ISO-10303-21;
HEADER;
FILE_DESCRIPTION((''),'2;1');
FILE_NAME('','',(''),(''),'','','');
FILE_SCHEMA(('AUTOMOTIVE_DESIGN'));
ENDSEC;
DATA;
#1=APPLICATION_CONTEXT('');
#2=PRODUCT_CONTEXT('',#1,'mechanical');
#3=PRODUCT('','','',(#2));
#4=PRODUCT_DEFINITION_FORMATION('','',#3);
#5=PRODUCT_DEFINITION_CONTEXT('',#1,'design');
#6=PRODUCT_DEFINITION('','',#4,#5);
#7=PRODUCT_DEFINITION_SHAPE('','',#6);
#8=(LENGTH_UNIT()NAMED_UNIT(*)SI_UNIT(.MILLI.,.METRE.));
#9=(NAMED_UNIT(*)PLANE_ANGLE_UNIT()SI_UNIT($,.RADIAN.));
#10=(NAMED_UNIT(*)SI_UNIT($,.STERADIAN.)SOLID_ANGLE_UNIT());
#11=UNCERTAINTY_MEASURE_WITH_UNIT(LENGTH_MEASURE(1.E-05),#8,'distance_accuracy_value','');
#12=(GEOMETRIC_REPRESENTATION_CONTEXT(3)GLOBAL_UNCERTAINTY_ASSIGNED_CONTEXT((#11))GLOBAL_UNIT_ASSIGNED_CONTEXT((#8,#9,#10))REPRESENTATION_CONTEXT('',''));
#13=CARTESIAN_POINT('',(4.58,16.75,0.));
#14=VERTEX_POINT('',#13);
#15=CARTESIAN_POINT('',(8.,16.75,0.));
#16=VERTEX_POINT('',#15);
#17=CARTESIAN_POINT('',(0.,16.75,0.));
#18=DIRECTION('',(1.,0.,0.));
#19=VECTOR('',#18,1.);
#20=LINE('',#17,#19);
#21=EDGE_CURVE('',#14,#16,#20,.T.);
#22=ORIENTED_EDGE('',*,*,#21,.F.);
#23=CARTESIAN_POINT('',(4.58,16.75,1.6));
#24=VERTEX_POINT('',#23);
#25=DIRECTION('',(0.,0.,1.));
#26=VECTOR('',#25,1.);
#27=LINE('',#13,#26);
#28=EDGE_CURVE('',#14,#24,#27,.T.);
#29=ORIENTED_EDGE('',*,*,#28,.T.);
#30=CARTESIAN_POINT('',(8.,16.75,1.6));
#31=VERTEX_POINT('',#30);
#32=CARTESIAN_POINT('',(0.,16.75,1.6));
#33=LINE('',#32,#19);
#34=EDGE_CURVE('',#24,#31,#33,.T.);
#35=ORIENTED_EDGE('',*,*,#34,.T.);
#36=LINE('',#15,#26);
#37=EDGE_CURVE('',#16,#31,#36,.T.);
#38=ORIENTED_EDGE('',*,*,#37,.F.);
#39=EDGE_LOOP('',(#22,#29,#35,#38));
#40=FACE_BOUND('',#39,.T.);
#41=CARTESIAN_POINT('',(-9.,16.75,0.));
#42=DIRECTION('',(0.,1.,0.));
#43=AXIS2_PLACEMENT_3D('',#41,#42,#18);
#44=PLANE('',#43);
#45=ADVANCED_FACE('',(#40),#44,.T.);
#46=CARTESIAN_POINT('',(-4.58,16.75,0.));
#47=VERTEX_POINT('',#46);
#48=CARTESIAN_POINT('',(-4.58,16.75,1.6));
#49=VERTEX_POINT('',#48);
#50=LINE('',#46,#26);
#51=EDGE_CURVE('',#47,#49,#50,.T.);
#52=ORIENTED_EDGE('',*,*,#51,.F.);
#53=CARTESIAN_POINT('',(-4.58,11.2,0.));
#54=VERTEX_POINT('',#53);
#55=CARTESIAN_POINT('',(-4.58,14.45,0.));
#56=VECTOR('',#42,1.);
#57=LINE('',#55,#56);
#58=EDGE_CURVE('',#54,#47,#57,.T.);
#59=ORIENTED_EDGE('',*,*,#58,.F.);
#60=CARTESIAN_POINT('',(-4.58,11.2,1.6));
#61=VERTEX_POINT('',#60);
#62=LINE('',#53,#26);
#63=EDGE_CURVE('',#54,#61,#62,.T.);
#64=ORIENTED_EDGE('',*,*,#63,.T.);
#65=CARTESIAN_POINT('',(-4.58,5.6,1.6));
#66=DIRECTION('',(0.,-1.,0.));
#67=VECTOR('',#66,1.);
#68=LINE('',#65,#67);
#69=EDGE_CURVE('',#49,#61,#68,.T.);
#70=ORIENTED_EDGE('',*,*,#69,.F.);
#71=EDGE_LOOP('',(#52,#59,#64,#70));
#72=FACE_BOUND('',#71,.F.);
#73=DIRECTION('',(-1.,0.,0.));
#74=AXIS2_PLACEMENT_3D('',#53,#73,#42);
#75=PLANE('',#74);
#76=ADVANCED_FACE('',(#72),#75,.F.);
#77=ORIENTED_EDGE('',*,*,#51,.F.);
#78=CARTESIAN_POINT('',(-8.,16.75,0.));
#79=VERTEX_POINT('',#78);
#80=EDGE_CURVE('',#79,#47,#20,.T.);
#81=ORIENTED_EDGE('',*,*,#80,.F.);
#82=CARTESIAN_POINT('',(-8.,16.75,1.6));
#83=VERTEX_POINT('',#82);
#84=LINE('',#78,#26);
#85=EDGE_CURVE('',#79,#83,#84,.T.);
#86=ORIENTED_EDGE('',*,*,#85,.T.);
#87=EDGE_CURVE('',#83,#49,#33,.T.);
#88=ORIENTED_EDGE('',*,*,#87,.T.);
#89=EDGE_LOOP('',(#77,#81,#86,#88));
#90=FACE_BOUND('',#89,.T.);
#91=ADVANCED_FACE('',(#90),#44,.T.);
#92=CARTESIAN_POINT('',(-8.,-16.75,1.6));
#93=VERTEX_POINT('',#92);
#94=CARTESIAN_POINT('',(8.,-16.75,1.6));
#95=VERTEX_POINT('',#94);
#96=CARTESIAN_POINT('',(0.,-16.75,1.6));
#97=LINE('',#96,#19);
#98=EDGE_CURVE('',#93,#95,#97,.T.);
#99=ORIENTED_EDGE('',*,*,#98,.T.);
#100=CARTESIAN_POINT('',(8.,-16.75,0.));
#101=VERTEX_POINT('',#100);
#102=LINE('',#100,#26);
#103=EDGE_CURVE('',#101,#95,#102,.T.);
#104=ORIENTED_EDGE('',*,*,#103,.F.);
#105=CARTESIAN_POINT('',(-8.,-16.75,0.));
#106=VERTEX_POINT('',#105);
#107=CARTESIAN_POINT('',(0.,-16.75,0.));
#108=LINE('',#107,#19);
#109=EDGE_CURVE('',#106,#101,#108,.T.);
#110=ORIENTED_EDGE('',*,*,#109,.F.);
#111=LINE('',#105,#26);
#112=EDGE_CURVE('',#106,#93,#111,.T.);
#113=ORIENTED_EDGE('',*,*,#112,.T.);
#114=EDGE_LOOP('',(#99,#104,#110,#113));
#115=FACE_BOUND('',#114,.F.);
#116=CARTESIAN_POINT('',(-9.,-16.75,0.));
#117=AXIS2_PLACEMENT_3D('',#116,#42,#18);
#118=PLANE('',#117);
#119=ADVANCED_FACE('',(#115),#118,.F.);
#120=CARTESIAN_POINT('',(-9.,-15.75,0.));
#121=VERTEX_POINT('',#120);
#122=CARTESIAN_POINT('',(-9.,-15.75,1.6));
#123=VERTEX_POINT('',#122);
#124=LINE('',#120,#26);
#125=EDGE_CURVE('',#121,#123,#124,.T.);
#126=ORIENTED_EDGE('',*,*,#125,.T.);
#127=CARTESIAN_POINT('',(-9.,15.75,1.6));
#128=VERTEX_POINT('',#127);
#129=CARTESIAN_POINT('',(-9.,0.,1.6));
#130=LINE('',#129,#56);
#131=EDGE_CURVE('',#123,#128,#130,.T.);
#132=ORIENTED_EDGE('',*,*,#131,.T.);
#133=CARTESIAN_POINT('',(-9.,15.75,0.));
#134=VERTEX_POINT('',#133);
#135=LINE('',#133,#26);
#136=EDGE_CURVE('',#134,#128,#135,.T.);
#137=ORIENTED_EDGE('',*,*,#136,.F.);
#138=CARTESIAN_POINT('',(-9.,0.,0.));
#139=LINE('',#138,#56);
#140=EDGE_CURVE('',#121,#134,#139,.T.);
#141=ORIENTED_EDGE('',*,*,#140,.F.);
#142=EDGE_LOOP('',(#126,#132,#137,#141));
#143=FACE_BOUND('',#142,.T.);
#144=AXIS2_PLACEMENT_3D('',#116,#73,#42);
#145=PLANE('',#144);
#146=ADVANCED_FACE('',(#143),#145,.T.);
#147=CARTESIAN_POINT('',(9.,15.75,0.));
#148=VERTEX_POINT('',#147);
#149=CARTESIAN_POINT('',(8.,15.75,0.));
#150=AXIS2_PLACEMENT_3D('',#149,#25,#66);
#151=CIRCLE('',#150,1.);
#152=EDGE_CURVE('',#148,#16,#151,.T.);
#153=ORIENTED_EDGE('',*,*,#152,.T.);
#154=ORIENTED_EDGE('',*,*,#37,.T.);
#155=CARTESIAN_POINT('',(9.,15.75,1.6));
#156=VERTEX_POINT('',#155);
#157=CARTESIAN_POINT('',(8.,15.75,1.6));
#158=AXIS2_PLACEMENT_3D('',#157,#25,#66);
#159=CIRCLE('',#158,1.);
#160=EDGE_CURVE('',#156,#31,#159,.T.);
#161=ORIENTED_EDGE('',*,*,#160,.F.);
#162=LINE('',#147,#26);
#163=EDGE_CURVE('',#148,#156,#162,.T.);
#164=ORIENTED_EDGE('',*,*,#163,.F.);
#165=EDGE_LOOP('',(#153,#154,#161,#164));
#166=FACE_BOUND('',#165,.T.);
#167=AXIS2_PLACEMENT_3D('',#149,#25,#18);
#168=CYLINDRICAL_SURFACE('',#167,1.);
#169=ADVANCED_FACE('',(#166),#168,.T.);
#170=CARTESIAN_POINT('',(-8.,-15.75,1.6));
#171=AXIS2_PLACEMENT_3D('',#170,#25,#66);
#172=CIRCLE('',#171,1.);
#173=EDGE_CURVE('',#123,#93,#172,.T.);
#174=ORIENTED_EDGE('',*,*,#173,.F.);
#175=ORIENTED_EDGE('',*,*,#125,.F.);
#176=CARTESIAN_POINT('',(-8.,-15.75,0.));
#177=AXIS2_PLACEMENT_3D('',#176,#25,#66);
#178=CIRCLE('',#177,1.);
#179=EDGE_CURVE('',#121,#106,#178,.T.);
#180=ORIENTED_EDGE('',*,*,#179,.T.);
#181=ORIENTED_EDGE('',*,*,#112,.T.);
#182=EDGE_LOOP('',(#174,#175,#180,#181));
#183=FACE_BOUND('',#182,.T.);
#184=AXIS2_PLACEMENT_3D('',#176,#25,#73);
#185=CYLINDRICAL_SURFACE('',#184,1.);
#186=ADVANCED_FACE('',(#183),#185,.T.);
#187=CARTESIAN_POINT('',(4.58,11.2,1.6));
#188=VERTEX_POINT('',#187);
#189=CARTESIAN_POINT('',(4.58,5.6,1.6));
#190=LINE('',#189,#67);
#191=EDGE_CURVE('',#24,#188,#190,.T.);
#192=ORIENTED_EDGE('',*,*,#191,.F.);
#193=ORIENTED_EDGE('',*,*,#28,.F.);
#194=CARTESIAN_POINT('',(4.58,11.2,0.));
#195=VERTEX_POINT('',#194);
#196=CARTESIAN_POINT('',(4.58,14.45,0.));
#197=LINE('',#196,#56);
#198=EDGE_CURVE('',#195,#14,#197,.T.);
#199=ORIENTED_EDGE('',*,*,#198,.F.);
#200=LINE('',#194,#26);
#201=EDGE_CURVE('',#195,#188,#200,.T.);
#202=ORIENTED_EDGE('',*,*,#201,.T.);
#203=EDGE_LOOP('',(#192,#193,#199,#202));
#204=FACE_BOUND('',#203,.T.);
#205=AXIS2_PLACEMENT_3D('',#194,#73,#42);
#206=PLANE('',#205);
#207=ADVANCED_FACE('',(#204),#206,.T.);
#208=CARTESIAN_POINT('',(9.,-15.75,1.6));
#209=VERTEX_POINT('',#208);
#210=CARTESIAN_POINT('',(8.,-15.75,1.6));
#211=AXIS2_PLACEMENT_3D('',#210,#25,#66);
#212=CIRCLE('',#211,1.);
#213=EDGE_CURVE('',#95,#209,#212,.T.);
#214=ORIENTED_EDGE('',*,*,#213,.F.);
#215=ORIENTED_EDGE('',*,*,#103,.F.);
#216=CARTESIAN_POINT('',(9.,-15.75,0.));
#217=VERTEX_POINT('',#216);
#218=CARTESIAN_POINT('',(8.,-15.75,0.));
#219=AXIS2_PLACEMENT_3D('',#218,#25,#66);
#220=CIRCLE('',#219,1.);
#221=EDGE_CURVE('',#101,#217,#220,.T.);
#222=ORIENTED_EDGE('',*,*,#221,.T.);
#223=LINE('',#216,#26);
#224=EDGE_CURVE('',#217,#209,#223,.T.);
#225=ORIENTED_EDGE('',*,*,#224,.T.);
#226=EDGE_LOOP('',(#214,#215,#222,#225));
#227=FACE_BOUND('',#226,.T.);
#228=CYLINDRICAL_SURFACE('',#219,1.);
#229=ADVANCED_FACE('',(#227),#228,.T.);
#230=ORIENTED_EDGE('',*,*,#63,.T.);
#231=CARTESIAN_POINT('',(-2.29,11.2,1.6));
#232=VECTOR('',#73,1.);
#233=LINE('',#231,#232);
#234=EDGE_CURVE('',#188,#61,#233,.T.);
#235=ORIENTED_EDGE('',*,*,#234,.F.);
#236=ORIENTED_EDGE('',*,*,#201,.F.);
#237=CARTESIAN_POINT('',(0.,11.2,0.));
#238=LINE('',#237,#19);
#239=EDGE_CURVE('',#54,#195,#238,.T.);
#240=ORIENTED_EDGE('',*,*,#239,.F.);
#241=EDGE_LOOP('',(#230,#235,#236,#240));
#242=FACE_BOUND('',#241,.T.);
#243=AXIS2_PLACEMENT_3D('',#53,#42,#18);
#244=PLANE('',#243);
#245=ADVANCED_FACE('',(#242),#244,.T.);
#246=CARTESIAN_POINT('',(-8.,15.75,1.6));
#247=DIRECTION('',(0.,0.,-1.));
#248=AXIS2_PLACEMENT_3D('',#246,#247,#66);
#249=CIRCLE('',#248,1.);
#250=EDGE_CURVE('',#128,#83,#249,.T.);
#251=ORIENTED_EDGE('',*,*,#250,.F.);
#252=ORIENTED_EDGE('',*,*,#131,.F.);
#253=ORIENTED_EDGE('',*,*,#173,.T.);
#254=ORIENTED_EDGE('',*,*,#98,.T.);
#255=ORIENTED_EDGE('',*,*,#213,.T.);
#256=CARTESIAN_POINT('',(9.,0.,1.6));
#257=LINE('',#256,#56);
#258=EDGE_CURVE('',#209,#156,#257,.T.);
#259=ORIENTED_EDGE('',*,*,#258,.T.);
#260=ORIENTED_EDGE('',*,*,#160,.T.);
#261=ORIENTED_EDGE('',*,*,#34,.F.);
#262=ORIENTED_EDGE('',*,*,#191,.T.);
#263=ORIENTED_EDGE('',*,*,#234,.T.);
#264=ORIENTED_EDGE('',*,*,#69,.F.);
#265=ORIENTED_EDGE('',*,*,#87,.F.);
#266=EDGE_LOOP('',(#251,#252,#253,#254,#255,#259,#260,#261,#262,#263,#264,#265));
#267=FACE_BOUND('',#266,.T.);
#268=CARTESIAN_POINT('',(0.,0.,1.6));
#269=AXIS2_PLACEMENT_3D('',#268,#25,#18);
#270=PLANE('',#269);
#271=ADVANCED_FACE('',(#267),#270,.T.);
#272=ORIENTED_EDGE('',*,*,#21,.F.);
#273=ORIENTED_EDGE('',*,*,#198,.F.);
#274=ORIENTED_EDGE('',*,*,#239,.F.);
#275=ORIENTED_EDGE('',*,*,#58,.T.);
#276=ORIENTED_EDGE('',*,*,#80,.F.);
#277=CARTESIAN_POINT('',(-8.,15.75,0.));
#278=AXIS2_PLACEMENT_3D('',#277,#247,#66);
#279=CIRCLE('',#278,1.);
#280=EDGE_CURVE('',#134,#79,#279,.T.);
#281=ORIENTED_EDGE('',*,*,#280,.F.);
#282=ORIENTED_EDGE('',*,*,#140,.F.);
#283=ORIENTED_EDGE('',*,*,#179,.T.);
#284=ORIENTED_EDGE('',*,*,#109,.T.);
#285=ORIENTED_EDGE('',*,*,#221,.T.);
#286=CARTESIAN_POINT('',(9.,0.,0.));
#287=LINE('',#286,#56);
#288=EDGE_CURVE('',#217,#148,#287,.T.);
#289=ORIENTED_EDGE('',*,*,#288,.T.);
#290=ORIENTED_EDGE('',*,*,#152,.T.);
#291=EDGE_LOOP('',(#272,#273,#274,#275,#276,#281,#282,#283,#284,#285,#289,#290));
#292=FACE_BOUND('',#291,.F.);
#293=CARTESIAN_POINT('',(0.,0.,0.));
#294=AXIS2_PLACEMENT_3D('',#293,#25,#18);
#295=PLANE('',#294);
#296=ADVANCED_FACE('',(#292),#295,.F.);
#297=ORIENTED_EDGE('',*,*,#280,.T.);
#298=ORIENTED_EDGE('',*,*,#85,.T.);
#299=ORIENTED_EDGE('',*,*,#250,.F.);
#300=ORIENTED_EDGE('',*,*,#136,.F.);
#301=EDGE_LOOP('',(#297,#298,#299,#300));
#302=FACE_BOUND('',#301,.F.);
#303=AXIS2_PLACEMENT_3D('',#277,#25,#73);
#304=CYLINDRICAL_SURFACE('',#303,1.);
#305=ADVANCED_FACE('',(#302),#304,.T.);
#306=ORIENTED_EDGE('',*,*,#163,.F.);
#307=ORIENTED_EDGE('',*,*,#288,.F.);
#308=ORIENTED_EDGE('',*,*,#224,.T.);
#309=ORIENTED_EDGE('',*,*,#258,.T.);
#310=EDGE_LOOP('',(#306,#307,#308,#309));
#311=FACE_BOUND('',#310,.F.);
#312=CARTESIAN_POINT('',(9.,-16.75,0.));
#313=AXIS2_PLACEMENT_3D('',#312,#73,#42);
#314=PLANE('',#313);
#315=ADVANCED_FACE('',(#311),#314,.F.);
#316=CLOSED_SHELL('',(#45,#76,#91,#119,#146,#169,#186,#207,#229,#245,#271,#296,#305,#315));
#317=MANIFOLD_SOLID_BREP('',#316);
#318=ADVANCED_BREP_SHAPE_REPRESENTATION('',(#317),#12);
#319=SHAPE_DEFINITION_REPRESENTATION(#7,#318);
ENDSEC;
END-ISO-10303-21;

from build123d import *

# Parameters (mm, degrees)
SKETCH_W     = 18
SKETCH_H     = 33.5
PAD_DEPTH    = 1.6
FILLET_R     = 1
SKETCH001_W  = 9.16
SKETCH001_H  = 6.5
POCKET_DEPTH = 5


with BuildPart() as part:
    # Sketch → Pad (new body)
    with BuildSketch(Plane.XY):
        Rectangle(SKETCH_W, SKETCH_H)
    extrude(amount=PAD_DEPTH)

    # Fillet
    fillet_edges = [part.edges().sort_by_distance(p)[0] for p in [
        (9, 16.75, 0.8),
        (9, -16.75, 0.8),
        (-9, -16.75, 0.8),
        (-9, 16.75, 0.8),
    ]]
    fillet(fillet_edges, radius=FILLET_R)

    # Sketch001 → Pocket (cut)
    with BuildSketch(Plane.XY):
        with Locations((0, 14.45)):
            Rectangle(SKETCH001_W, SKETCH001_H)
    extrude(amount=POCKET_DEPTH, mode=Mode.SUBTRACT)


solid = part.part
